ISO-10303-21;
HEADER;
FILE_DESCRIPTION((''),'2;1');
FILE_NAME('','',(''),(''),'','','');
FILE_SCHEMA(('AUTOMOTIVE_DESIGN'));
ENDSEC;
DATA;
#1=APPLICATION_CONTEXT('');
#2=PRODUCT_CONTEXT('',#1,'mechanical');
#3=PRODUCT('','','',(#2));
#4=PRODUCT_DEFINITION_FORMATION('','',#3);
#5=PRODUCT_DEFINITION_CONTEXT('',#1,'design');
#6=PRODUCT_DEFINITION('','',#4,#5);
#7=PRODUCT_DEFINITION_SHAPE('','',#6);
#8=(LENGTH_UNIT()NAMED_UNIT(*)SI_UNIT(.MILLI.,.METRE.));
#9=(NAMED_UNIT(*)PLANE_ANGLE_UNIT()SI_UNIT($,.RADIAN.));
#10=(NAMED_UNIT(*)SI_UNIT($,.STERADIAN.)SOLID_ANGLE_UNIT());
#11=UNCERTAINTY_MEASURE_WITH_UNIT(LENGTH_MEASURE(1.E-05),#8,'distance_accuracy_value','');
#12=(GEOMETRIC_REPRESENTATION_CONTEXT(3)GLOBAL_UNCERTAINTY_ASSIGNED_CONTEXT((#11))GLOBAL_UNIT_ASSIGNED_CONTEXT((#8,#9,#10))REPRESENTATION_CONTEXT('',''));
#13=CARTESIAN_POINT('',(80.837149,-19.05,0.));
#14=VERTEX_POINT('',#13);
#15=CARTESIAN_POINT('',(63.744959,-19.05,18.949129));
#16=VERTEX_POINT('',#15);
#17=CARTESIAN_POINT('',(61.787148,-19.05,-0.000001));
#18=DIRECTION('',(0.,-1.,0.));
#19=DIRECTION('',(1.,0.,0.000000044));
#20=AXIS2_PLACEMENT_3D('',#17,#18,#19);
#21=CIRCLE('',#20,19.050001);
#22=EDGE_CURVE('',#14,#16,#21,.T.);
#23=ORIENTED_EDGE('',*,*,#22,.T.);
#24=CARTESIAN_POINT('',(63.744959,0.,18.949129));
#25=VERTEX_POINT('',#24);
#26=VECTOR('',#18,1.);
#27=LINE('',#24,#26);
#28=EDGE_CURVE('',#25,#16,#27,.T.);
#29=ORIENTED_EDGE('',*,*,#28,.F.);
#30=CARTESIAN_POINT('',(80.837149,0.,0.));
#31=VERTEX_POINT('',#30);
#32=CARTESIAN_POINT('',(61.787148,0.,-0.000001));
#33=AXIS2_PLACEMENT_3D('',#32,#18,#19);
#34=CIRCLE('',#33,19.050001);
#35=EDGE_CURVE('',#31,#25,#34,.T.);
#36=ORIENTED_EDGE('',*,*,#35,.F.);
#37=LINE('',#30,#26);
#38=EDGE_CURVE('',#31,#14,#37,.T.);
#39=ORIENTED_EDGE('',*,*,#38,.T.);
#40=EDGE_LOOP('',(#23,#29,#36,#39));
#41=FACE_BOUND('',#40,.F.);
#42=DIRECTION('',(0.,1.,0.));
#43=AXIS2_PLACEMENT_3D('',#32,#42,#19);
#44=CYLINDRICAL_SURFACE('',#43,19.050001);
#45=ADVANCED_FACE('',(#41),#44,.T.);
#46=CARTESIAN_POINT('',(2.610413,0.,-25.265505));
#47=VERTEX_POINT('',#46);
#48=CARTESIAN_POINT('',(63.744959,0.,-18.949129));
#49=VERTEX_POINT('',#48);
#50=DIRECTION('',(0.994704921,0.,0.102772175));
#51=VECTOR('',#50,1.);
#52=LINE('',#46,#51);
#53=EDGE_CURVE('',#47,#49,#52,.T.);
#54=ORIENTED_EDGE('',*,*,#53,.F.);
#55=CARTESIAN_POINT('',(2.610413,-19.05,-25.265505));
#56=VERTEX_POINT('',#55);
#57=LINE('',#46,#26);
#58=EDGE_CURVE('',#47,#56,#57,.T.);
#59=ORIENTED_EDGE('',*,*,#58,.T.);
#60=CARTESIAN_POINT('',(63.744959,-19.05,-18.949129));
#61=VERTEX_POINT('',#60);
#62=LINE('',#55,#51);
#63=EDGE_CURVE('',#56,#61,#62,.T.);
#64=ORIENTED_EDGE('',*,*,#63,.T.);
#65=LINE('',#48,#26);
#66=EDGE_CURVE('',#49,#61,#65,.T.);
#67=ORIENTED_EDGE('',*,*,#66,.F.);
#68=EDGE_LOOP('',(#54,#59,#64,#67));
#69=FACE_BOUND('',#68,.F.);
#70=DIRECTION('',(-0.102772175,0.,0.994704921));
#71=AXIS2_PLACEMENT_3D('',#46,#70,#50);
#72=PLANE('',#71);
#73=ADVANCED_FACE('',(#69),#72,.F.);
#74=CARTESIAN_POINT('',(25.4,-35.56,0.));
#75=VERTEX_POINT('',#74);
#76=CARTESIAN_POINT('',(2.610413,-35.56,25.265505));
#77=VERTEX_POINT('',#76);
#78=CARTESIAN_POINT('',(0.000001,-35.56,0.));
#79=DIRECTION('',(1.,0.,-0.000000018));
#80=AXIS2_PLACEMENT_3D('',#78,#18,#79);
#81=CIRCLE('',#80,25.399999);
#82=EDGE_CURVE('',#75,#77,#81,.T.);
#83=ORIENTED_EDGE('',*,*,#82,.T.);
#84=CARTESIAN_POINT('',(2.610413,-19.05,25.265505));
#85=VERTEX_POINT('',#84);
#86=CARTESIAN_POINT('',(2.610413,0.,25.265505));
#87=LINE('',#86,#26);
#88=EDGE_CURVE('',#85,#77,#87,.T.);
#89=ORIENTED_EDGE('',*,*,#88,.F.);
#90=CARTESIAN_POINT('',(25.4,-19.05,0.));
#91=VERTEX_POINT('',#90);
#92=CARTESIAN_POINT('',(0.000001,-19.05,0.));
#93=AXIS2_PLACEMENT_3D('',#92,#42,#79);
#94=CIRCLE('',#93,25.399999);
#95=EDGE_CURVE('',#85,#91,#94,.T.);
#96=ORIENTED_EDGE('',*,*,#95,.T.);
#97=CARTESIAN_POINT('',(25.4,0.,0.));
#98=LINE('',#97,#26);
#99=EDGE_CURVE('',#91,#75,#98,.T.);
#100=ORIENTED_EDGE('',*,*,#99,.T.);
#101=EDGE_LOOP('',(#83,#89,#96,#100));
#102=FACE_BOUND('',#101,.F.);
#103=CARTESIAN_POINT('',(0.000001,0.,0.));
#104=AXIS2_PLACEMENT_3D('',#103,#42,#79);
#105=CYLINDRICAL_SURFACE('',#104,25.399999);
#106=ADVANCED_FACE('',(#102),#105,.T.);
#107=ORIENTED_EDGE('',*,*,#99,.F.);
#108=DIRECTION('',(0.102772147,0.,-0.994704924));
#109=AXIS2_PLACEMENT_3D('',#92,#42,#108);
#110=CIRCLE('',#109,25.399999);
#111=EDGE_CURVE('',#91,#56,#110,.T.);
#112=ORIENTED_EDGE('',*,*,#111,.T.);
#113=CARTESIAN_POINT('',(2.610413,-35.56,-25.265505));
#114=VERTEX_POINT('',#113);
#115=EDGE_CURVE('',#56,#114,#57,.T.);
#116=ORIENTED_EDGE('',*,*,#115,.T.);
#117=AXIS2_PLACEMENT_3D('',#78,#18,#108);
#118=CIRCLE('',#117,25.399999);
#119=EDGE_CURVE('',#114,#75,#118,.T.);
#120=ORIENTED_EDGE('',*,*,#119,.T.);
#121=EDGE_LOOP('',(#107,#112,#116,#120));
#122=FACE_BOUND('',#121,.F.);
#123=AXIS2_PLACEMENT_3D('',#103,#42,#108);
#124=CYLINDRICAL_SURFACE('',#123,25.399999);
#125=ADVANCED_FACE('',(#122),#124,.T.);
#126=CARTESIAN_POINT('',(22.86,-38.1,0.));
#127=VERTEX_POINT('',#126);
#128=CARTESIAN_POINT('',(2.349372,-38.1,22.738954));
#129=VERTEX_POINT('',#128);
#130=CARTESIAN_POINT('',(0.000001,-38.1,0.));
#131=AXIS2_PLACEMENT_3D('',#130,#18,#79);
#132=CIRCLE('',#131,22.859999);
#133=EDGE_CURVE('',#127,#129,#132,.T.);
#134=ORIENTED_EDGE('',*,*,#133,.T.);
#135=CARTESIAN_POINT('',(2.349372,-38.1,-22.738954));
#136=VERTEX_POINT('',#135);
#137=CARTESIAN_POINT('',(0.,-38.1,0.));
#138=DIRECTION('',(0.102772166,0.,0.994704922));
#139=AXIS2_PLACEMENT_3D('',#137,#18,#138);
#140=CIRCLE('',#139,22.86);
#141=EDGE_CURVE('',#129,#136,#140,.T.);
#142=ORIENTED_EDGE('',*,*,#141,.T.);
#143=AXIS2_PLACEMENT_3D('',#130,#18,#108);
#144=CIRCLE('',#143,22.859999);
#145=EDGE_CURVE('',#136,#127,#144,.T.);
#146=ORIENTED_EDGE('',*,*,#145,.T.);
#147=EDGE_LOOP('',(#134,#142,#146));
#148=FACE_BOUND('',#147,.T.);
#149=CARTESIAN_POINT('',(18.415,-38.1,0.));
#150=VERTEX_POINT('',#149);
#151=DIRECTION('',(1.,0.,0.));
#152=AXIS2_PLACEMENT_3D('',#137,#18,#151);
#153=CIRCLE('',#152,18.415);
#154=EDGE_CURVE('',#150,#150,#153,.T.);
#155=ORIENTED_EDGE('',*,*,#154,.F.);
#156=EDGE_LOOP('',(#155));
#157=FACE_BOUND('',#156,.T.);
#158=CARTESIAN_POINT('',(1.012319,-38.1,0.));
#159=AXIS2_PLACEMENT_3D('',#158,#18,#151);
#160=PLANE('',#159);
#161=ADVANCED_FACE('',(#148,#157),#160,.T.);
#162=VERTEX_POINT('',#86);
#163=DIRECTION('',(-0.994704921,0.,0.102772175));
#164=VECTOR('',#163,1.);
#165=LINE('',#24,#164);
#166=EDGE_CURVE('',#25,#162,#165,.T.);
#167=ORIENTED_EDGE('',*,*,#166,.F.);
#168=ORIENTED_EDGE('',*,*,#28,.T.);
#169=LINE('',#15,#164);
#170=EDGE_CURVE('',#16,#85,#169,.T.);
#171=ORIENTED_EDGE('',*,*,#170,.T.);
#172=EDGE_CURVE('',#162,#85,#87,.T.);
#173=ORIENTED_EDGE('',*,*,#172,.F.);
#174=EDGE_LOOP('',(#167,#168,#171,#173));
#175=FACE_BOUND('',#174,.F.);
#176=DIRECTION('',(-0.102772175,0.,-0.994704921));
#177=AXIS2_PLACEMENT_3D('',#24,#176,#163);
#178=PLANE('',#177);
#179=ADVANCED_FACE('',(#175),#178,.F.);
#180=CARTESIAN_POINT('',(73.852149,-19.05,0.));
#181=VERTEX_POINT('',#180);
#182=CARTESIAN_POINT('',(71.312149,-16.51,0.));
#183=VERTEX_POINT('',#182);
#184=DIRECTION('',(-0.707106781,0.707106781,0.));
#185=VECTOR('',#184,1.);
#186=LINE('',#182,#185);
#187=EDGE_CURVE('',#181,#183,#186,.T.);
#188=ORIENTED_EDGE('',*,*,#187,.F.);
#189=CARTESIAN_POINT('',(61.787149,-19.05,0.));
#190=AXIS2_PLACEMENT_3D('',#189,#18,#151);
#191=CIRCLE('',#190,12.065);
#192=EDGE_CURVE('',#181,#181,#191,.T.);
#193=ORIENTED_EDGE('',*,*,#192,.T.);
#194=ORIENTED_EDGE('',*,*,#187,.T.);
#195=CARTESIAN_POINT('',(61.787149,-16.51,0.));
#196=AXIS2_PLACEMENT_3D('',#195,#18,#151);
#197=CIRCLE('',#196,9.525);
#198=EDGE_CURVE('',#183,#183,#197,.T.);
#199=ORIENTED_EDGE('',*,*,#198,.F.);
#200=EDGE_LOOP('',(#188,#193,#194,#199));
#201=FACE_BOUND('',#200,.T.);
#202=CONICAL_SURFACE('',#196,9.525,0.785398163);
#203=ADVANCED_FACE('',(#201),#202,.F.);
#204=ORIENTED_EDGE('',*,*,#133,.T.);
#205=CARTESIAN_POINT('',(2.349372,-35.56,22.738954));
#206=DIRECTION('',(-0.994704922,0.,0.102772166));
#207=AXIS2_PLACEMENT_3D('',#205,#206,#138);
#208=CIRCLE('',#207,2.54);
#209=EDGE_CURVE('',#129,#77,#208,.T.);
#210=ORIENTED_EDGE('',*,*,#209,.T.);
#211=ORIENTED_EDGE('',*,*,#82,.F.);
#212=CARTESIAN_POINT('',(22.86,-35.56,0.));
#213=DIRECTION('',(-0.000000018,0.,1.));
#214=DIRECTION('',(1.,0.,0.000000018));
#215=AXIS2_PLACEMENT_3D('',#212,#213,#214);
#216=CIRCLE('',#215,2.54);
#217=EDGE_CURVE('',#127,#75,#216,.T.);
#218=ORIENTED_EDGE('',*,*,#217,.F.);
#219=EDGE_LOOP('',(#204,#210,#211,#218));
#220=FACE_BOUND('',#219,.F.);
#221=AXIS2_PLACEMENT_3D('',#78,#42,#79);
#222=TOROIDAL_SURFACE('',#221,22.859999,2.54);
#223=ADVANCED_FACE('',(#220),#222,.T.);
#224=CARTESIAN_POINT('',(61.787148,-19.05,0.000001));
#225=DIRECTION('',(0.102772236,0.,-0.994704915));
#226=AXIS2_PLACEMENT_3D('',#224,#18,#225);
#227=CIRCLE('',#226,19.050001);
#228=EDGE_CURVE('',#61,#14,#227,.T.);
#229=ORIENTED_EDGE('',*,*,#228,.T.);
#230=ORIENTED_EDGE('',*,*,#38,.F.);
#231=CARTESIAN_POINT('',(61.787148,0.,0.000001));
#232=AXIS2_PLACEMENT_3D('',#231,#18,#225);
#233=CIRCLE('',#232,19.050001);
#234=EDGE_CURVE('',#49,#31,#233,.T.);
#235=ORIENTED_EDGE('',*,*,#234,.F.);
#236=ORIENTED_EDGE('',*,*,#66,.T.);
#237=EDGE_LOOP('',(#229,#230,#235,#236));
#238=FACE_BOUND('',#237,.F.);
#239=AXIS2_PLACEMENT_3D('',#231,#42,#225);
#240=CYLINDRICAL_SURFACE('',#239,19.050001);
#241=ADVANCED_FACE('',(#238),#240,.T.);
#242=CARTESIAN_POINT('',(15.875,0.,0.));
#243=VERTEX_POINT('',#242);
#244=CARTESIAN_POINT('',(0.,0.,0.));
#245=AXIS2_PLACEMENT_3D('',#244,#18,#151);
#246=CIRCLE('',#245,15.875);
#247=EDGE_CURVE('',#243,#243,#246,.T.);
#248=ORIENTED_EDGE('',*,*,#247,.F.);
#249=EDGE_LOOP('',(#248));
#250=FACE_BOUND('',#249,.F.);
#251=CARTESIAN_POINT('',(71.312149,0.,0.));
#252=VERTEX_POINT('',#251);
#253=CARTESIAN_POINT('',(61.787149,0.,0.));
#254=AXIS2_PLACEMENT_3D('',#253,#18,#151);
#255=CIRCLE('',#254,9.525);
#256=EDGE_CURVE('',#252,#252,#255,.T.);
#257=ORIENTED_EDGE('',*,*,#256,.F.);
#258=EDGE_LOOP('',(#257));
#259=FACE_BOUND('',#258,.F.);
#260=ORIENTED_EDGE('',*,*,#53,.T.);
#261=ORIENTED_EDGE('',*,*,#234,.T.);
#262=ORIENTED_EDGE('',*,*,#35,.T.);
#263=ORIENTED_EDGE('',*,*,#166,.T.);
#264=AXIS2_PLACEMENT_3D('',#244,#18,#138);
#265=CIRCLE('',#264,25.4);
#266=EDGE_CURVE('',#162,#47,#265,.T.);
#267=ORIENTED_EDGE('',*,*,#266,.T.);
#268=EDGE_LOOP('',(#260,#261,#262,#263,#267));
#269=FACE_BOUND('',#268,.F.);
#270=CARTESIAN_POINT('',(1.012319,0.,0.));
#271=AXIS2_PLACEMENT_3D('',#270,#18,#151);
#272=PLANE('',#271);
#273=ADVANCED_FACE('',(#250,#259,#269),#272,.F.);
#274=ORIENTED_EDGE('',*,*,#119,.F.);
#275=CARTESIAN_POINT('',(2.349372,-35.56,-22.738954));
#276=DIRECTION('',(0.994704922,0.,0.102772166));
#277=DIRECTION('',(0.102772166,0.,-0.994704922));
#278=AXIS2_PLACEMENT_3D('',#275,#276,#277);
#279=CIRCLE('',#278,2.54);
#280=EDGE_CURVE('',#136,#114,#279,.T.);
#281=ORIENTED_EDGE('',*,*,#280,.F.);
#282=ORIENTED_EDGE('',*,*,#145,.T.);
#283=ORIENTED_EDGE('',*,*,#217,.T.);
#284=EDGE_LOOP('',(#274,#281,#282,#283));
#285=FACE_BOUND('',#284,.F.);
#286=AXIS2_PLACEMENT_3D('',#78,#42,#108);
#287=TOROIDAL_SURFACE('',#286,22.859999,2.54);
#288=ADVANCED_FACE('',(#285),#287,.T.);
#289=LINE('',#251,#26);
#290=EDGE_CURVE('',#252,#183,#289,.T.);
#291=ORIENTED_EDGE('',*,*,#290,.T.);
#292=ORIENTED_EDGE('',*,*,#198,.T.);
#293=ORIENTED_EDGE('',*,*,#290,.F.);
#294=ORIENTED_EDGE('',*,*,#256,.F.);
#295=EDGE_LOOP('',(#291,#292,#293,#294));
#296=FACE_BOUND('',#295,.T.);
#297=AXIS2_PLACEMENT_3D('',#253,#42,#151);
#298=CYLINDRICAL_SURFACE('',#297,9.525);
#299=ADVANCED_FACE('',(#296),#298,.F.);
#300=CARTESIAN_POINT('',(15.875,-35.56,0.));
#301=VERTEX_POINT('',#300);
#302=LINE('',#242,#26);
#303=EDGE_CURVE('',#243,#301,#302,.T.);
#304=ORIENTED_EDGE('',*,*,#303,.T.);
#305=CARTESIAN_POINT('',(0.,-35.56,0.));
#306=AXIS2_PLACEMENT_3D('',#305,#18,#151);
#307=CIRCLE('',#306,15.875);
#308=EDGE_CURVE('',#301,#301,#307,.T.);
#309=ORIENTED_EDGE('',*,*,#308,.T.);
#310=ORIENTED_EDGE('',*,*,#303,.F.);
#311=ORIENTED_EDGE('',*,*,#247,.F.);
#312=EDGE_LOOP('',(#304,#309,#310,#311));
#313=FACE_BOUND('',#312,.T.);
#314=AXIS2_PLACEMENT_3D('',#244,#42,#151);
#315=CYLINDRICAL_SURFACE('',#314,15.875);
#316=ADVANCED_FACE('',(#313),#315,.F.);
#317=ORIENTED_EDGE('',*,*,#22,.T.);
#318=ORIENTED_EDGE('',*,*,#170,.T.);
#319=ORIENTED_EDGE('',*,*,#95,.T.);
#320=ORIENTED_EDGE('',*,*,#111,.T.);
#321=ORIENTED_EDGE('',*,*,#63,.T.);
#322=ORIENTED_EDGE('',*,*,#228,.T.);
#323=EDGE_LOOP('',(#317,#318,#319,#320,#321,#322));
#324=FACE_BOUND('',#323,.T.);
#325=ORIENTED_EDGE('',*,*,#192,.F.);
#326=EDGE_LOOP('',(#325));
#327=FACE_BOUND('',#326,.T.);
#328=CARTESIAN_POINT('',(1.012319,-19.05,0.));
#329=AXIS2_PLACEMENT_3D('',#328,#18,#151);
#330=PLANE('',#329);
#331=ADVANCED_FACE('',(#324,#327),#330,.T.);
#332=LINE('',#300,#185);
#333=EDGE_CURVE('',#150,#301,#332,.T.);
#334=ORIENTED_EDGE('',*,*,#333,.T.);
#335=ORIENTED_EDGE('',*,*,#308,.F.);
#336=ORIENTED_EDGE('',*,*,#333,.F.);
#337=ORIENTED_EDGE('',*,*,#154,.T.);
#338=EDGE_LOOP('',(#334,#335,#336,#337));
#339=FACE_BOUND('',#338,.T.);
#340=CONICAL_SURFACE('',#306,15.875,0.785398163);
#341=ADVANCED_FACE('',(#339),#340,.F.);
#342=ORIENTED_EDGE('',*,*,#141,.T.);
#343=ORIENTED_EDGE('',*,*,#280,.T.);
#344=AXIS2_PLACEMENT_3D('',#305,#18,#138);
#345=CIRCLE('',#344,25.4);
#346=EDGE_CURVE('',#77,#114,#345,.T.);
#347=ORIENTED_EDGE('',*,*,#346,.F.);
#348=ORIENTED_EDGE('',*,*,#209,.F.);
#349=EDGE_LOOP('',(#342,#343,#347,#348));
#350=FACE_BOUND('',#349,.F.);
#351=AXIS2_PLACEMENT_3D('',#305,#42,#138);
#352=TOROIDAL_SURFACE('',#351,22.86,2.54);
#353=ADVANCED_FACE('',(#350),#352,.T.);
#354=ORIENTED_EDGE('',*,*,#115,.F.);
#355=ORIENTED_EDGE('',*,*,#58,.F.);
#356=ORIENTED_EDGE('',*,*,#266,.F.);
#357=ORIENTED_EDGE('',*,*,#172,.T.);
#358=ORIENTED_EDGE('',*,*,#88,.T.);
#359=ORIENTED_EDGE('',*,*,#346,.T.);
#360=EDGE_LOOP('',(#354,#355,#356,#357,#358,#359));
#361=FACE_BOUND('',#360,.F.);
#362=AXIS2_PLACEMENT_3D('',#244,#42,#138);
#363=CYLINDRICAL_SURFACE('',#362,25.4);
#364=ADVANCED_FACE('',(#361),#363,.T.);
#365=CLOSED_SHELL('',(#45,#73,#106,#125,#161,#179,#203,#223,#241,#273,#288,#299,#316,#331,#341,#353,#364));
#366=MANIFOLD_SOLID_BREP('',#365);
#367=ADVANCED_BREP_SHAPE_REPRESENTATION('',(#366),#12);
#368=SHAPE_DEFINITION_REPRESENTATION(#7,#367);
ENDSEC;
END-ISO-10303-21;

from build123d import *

# Parameters (mm, degrees)
F0_R     = 15.875
F1_DEPTH = 38.1
F0_R_2   = 9.525
F2_DEPTH = 19.05
F3_R     = 2.54
F4_SIZE  = 2.54


with BuildPart() as f1:
    # F0 (on Front) → F1 (new body)
    with BuildSketch(Plane.XZ):
        with BuildLine():
            ThreePointArc((2.610413, -25.265505), (18.860866, -17.012576), (25.4, 0))
            ThreePointArc((25.4, 0), (18.860866, 17.012576), (2.610413, 25.265505))
            ThreePointArc((2.610413, 25.265505), (-25.4, 0), (2.610413, -25.265505))
        make_face()
        Circle(F0_R, mode=Mode.SUBTRACT)
    extrude(amount=F1_DEPTH)

    # F0 (on Front) → F2 (join)
    with BuildSketch(Plane.XZ):
        with BuildLine():
            ThreePointArc((2.610413, -25.265505), (18.860866, -17.012576), (25.4, 0))
            ThreePointArc((25.4, 0), (18.860866, 17.012576), (2.610413, 25.265505))
            ThreePointArc((2.610413, 25.265505), (-25.4, 0), (2.610413, -25.265505))
        make_face()
        Circle(F0_R, mode=Mode.SUBTRACT)
        with BuildLine():
            ThreePointArc((2.610413, 25.265505), (18.860866, 17.012576), (25.4, 0))
            ThreePointArc((25.4, 0), (18.860866, -17.012576), (2.610413, -25.265505))
            Line((2.610413, -25.265505), (63.744959, -18.949129))
            ThreePointArc((63.744959, -18.949129), (42.737149, 0), (63.744959, 18.949129))
            Line((63.744959, 18.949129), (2.610413, 25.265505))
        make_face()
        with BuildLine():
            ThreePointArc((80.837149, 0), (75.932798, 12.759432), (63.744959, 18.949129))
            ThreePointArc((63.744959, 18.949129), (42.737149, 0), (63.744959, -18.949129))
            ThreePointArc((63.744959, -18.949129), (75.932798, -12.759432), (80.837149, 0))
        make_face()
        with Locations((61.787149, 0)):
            Circle(F0_R_2, mode=Mode.SUBTRACT)
    extrude(amount=F2_DEPTH)

    # F3
    f3_edges = [f1.edges().sort_by_distance(p)[0] for p in [
        (-2.610413, -38.1, 25.265505),
    ]]
    fillet(f3_edges, radius=F3_R)

    # F4
    f4_edges = [f1.edges().sort_by_distance(p)[0] for p in [
        (-15.875, -38.1, 0),
        (52.262149, -19.05, 0),
    ]]
    chamfer(f4_edges, length=F4_SIZE)


solid = f1.part
